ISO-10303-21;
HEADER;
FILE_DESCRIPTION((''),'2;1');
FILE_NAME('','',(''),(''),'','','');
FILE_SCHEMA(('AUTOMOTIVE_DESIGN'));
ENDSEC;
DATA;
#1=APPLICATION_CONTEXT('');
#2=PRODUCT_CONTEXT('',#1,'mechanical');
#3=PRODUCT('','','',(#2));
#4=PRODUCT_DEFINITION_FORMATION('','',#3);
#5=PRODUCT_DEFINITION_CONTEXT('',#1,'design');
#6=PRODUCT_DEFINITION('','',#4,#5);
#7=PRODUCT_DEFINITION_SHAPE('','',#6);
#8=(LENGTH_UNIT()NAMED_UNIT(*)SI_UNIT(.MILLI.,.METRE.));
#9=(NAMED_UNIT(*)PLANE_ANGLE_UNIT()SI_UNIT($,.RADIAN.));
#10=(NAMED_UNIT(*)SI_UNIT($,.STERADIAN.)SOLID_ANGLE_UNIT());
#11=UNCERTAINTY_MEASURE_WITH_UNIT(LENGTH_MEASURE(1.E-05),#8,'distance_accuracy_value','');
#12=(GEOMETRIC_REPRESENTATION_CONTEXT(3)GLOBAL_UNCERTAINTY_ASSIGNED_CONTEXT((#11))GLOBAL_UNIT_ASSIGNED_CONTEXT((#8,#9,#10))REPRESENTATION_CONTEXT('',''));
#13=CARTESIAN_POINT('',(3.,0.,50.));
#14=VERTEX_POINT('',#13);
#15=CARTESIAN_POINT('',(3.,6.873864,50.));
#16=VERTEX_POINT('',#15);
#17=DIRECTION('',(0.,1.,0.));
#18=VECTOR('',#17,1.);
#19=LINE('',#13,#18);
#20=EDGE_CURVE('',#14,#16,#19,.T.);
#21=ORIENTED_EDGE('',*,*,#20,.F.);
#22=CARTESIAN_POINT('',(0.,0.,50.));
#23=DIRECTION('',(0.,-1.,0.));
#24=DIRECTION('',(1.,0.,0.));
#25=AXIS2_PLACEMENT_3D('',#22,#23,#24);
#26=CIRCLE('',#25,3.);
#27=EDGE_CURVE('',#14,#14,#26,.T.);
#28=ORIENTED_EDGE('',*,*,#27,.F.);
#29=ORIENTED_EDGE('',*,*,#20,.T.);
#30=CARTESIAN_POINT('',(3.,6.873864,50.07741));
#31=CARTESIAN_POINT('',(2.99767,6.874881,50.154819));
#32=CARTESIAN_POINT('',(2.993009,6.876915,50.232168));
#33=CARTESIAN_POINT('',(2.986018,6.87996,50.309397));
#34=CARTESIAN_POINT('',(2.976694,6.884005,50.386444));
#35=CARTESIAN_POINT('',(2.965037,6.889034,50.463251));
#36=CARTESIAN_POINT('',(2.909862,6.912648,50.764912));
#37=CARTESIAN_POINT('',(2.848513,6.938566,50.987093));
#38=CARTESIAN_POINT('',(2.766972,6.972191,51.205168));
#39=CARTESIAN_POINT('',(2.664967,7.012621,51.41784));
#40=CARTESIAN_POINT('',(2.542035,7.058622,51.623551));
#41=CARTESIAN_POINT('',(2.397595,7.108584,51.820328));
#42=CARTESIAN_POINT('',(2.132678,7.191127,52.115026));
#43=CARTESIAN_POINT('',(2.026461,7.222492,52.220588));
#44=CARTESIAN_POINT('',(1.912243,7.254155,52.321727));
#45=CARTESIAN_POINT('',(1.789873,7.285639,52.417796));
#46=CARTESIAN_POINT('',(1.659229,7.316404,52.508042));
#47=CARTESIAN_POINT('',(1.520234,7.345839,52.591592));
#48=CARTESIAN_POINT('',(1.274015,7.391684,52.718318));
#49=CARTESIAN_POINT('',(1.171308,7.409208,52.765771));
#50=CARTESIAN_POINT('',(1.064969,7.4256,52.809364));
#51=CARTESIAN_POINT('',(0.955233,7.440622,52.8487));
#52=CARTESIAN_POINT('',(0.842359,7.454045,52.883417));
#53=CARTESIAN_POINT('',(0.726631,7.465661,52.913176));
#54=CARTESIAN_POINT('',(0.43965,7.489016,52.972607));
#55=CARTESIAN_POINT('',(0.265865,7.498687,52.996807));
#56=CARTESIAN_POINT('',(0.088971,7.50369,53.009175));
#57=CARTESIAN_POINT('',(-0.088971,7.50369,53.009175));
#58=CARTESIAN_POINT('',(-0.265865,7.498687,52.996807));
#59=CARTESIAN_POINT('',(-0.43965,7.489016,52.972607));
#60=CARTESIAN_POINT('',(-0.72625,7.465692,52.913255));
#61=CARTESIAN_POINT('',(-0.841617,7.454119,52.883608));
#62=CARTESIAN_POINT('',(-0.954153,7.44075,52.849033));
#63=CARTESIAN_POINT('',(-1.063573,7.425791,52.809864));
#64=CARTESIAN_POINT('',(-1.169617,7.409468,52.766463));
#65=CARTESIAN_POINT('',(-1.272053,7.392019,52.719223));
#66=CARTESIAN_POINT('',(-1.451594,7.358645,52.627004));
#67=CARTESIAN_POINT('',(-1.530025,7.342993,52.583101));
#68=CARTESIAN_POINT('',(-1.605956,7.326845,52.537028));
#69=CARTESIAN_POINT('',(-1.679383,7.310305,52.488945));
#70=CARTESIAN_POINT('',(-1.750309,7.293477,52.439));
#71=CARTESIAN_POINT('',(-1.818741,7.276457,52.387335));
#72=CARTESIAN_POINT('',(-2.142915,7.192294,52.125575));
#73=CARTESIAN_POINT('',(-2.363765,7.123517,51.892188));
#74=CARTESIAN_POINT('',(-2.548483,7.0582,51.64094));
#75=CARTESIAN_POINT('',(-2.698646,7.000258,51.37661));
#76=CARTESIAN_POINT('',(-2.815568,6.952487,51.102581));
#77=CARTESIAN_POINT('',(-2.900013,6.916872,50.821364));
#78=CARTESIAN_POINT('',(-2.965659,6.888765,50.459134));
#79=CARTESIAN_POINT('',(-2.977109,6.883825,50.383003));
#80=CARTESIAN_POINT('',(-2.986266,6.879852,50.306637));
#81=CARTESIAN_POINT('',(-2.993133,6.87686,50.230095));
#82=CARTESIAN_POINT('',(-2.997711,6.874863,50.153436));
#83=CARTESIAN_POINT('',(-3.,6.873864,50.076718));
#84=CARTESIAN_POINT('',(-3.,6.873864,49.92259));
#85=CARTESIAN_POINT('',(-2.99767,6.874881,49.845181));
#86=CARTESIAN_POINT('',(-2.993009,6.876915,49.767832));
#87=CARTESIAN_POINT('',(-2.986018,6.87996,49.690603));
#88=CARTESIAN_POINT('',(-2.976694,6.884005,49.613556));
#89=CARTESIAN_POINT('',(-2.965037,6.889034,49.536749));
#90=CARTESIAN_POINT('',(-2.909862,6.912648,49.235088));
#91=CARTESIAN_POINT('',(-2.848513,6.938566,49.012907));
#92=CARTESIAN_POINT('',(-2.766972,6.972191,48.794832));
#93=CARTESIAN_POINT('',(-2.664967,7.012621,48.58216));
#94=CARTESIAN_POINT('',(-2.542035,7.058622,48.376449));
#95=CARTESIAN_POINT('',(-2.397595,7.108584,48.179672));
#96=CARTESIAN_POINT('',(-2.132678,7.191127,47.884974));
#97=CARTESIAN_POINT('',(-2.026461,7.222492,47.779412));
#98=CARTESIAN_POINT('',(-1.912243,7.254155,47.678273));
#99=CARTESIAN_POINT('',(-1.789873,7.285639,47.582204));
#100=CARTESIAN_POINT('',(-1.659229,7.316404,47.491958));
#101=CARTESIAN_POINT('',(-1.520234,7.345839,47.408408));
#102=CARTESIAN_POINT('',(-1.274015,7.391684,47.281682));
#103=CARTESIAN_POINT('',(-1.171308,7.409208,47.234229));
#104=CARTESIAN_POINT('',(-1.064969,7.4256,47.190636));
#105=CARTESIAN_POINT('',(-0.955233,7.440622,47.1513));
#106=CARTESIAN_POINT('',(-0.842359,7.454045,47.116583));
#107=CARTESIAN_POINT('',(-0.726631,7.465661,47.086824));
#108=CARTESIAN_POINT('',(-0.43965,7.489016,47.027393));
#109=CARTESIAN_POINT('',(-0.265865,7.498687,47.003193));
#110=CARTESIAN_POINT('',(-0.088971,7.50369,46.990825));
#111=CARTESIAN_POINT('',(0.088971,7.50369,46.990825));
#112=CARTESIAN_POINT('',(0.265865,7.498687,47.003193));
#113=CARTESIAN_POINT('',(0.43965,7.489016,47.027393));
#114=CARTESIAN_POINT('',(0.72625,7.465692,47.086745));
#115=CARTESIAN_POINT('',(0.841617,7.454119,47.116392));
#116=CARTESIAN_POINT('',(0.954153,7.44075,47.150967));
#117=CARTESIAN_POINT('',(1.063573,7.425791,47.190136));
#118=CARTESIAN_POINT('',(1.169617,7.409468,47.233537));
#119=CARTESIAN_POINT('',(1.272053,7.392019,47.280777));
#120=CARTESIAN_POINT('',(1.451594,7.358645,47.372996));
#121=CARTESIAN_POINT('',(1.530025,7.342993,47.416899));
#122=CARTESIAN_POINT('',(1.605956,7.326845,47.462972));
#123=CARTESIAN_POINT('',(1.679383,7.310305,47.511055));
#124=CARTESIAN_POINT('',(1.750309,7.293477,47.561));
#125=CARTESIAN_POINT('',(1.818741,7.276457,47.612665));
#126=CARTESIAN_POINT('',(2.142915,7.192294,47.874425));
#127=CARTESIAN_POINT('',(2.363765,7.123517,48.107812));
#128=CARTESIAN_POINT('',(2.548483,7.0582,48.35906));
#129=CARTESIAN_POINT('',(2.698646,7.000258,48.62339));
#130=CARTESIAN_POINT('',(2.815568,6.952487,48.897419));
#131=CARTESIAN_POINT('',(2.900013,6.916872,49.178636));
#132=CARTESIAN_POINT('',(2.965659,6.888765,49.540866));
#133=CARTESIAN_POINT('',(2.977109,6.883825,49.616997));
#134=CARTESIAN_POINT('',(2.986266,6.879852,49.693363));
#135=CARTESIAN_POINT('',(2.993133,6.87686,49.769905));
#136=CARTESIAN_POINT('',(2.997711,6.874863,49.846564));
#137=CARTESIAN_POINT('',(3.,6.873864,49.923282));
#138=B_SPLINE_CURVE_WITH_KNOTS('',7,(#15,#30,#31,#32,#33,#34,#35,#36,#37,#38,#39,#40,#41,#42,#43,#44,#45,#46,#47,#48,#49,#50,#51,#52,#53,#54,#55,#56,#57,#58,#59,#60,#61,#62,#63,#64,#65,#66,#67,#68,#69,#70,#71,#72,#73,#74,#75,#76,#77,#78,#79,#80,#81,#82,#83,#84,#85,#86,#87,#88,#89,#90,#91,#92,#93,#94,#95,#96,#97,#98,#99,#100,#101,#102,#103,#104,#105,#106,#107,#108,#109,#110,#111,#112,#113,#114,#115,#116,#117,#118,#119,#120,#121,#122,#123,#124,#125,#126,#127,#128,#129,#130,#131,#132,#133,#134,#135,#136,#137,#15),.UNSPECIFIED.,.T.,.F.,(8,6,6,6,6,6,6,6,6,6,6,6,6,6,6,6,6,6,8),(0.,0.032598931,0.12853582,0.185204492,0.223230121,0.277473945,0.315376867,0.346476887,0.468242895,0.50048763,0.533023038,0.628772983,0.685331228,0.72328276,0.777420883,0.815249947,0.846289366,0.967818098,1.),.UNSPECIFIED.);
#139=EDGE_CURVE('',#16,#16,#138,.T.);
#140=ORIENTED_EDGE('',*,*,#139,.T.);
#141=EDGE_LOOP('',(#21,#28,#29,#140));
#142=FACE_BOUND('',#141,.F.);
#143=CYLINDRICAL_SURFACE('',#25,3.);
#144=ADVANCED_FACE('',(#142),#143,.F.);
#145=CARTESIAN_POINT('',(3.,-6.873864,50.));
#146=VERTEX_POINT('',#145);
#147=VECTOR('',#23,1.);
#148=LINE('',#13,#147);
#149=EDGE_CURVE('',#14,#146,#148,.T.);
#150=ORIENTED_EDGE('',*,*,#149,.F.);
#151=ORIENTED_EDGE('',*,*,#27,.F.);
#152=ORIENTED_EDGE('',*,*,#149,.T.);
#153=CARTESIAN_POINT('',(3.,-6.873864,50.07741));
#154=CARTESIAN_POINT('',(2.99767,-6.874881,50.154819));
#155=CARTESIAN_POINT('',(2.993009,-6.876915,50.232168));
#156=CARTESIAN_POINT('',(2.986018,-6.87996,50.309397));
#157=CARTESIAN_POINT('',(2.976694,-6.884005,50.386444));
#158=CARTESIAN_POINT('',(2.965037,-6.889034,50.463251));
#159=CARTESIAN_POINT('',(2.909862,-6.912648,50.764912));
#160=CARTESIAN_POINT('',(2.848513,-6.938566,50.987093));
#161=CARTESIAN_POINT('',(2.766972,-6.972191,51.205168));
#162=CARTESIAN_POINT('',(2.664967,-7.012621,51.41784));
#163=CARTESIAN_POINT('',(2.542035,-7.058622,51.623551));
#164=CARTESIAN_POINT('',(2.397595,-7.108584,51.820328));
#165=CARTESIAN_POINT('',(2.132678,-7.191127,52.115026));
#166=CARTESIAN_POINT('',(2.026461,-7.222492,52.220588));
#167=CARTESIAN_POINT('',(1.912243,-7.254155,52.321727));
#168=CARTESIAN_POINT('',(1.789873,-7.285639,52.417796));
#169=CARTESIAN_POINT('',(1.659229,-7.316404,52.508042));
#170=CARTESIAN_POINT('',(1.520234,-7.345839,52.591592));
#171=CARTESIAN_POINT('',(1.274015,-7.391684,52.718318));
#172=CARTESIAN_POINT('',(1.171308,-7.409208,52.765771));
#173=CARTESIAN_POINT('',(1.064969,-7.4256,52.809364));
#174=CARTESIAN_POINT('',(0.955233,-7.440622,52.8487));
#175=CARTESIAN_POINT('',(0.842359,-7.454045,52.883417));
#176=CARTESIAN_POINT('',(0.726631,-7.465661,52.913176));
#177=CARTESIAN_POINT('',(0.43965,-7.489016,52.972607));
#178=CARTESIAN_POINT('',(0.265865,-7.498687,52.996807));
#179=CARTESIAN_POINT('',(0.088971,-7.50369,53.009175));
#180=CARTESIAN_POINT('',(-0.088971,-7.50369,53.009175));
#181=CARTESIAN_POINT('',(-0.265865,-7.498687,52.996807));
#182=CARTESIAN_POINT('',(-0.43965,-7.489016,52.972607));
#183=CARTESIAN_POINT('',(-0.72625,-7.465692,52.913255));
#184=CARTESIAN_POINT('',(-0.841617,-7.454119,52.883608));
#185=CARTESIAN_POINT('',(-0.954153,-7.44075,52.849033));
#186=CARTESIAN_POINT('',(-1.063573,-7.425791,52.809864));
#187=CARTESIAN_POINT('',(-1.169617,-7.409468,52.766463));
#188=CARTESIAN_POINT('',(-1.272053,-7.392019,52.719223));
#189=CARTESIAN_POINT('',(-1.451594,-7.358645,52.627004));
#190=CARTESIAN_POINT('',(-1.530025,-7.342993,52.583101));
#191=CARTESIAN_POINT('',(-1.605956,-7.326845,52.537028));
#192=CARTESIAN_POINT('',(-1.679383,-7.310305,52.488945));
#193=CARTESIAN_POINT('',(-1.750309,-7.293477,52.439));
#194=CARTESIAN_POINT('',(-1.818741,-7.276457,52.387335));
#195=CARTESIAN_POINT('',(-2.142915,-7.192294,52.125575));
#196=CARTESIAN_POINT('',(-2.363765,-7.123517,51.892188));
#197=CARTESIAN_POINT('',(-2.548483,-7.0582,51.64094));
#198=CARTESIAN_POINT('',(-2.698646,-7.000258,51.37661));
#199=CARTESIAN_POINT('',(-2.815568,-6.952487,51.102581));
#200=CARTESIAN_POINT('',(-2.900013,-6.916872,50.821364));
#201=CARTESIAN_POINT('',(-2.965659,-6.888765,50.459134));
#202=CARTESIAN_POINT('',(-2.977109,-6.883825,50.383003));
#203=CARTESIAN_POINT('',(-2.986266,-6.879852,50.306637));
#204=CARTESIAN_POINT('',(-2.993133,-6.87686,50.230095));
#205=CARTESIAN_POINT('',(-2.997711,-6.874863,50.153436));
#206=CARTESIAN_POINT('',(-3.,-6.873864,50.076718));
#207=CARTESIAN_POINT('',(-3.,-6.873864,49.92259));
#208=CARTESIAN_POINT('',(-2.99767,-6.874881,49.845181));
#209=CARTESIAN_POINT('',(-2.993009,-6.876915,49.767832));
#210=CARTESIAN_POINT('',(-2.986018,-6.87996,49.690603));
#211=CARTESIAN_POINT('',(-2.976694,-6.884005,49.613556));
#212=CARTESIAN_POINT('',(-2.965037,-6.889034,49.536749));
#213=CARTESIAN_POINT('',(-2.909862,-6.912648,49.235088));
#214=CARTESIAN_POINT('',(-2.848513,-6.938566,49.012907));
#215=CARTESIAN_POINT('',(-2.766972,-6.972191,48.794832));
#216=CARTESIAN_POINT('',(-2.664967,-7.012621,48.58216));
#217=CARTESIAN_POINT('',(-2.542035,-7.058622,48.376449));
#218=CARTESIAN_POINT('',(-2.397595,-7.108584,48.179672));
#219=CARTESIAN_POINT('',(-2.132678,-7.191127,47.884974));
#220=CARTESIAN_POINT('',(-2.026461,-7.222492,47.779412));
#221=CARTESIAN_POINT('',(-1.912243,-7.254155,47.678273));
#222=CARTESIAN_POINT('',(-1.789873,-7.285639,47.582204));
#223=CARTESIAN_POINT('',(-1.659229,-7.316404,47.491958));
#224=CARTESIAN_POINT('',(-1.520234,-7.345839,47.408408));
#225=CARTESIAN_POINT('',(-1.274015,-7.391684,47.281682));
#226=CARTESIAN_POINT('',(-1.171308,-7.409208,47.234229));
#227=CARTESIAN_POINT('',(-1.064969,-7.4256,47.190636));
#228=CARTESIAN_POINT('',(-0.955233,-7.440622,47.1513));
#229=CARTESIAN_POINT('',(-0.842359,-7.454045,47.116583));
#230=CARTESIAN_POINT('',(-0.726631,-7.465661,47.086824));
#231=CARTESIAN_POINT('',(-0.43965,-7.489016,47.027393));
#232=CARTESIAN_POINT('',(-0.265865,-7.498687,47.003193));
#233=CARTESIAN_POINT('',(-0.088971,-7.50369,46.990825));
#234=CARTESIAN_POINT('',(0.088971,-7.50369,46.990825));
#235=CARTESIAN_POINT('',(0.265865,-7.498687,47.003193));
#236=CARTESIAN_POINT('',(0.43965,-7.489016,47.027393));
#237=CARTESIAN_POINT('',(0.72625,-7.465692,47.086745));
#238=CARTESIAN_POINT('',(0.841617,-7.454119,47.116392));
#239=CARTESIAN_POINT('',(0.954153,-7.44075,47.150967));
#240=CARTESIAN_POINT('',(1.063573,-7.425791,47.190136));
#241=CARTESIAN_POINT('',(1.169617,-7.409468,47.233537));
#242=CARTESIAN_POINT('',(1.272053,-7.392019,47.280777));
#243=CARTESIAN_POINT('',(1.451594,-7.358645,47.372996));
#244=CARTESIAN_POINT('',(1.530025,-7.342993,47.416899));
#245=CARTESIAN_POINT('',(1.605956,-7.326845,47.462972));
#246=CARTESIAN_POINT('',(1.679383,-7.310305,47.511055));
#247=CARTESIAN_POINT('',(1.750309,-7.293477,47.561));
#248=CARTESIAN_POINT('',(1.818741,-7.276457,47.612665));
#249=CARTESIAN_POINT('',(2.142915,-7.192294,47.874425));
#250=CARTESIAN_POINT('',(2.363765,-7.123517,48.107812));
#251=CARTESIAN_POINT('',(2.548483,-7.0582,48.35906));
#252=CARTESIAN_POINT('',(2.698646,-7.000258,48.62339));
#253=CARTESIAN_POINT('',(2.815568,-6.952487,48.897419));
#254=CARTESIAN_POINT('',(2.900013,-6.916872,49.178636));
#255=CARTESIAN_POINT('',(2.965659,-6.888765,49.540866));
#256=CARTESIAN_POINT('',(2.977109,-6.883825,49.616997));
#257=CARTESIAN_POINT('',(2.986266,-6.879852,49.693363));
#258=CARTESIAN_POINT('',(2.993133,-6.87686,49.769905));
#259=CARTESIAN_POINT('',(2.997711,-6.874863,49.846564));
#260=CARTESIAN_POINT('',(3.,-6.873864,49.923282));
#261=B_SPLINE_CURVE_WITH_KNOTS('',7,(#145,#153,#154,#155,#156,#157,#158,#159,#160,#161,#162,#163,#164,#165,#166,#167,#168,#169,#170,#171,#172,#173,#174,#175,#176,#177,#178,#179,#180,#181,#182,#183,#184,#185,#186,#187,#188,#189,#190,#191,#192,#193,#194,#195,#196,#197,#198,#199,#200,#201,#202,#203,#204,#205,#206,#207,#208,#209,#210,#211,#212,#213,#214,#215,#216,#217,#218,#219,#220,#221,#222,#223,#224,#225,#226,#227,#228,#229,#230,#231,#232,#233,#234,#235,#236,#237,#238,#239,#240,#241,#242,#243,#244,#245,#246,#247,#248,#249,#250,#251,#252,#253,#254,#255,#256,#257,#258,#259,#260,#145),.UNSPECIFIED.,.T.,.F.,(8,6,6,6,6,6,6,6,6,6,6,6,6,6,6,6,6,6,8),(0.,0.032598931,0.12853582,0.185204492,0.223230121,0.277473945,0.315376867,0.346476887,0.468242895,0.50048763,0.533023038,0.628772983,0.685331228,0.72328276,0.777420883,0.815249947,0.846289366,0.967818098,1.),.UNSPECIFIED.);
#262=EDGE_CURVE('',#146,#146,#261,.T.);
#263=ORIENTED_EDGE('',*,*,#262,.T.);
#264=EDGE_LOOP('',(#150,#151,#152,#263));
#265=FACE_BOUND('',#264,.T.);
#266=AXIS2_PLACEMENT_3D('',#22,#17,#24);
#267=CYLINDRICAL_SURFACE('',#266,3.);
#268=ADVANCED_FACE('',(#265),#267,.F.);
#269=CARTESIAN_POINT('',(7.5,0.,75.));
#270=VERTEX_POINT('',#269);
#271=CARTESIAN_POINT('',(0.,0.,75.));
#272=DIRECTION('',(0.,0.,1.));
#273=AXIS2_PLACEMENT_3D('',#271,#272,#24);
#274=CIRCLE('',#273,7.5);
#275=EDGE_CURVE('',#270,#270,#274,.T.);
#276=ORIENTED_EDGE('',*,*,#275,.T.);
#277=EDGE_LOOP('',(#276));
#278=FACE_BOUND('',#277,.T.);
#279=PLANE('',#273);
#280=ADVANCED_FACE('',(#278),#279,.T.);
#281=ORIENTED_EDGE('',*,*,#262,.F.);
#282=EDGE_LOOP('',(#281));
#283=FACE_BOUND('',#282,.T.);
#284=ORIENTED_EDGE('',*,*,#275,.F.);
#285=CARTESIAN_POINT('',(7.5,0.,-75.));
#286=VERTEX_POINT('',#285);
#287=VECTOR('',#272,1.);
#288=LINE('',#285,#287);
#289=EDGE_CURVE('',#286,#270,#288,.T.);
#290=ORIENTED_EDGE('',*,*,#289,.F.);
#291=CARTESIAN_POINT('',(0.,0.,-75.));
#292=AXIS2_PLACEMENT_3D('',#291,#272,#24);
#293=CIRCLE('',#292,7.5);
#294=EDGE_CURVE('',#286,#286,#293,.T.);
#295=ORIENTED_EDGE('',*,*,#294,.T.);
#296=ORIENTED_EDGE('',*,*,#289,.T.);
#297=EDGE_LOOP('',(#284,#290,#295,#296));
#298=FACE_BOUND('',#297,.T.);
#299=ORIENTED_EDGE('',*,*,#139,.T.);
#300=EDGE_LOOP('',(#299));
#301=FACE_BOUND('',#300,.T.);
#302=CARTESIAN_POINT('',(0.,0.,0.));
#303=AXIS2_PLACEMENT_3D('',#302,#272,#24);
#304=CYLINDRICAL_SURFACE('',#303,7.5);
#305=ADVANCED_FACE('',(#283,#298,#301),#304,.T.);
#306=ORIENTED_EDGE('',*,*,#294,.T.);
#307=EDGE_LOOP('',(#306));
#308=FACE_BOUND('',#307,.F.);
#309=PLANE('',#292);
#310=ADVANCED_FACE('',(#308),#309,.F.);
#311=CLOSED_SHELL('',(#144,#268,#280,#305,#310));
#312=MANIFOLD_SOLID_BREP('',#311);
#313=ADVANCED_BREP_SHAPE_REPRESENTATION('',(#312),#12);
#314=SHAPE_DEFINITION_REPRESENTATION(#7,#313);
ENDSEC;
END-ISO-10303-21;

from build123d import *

# Parameters (mm, degrees)
F0_R          = 7.5
F1_DEPTH      = 75
F2_R          = 3
F3_DEPTH      = 7.501
F3_DEPTH_BACK = 7.501


with BuildPart() as f1:
    # F0 (on Top) → F1 (new body, symmetric)
    with BuildSketch(Plane.XY):
        Circle(F0_R)
    extrude(amount=F1_DEPTH, both=True)

    # F2 (on Front) → F3 (cut, two sides)
    with BuildSketch(Plane.XZ) as f3_sk:
        with Locations((0, 50)):
            Circle(F2_R)
    extrude(amount=-F3_DEPTH, mode=Mode.SUBTRACT)
    extrude(f3_sk.sketch, amount=F3_DEPTH_BACK, mode=Mode.SUBTRACT)


solid = f1.part
